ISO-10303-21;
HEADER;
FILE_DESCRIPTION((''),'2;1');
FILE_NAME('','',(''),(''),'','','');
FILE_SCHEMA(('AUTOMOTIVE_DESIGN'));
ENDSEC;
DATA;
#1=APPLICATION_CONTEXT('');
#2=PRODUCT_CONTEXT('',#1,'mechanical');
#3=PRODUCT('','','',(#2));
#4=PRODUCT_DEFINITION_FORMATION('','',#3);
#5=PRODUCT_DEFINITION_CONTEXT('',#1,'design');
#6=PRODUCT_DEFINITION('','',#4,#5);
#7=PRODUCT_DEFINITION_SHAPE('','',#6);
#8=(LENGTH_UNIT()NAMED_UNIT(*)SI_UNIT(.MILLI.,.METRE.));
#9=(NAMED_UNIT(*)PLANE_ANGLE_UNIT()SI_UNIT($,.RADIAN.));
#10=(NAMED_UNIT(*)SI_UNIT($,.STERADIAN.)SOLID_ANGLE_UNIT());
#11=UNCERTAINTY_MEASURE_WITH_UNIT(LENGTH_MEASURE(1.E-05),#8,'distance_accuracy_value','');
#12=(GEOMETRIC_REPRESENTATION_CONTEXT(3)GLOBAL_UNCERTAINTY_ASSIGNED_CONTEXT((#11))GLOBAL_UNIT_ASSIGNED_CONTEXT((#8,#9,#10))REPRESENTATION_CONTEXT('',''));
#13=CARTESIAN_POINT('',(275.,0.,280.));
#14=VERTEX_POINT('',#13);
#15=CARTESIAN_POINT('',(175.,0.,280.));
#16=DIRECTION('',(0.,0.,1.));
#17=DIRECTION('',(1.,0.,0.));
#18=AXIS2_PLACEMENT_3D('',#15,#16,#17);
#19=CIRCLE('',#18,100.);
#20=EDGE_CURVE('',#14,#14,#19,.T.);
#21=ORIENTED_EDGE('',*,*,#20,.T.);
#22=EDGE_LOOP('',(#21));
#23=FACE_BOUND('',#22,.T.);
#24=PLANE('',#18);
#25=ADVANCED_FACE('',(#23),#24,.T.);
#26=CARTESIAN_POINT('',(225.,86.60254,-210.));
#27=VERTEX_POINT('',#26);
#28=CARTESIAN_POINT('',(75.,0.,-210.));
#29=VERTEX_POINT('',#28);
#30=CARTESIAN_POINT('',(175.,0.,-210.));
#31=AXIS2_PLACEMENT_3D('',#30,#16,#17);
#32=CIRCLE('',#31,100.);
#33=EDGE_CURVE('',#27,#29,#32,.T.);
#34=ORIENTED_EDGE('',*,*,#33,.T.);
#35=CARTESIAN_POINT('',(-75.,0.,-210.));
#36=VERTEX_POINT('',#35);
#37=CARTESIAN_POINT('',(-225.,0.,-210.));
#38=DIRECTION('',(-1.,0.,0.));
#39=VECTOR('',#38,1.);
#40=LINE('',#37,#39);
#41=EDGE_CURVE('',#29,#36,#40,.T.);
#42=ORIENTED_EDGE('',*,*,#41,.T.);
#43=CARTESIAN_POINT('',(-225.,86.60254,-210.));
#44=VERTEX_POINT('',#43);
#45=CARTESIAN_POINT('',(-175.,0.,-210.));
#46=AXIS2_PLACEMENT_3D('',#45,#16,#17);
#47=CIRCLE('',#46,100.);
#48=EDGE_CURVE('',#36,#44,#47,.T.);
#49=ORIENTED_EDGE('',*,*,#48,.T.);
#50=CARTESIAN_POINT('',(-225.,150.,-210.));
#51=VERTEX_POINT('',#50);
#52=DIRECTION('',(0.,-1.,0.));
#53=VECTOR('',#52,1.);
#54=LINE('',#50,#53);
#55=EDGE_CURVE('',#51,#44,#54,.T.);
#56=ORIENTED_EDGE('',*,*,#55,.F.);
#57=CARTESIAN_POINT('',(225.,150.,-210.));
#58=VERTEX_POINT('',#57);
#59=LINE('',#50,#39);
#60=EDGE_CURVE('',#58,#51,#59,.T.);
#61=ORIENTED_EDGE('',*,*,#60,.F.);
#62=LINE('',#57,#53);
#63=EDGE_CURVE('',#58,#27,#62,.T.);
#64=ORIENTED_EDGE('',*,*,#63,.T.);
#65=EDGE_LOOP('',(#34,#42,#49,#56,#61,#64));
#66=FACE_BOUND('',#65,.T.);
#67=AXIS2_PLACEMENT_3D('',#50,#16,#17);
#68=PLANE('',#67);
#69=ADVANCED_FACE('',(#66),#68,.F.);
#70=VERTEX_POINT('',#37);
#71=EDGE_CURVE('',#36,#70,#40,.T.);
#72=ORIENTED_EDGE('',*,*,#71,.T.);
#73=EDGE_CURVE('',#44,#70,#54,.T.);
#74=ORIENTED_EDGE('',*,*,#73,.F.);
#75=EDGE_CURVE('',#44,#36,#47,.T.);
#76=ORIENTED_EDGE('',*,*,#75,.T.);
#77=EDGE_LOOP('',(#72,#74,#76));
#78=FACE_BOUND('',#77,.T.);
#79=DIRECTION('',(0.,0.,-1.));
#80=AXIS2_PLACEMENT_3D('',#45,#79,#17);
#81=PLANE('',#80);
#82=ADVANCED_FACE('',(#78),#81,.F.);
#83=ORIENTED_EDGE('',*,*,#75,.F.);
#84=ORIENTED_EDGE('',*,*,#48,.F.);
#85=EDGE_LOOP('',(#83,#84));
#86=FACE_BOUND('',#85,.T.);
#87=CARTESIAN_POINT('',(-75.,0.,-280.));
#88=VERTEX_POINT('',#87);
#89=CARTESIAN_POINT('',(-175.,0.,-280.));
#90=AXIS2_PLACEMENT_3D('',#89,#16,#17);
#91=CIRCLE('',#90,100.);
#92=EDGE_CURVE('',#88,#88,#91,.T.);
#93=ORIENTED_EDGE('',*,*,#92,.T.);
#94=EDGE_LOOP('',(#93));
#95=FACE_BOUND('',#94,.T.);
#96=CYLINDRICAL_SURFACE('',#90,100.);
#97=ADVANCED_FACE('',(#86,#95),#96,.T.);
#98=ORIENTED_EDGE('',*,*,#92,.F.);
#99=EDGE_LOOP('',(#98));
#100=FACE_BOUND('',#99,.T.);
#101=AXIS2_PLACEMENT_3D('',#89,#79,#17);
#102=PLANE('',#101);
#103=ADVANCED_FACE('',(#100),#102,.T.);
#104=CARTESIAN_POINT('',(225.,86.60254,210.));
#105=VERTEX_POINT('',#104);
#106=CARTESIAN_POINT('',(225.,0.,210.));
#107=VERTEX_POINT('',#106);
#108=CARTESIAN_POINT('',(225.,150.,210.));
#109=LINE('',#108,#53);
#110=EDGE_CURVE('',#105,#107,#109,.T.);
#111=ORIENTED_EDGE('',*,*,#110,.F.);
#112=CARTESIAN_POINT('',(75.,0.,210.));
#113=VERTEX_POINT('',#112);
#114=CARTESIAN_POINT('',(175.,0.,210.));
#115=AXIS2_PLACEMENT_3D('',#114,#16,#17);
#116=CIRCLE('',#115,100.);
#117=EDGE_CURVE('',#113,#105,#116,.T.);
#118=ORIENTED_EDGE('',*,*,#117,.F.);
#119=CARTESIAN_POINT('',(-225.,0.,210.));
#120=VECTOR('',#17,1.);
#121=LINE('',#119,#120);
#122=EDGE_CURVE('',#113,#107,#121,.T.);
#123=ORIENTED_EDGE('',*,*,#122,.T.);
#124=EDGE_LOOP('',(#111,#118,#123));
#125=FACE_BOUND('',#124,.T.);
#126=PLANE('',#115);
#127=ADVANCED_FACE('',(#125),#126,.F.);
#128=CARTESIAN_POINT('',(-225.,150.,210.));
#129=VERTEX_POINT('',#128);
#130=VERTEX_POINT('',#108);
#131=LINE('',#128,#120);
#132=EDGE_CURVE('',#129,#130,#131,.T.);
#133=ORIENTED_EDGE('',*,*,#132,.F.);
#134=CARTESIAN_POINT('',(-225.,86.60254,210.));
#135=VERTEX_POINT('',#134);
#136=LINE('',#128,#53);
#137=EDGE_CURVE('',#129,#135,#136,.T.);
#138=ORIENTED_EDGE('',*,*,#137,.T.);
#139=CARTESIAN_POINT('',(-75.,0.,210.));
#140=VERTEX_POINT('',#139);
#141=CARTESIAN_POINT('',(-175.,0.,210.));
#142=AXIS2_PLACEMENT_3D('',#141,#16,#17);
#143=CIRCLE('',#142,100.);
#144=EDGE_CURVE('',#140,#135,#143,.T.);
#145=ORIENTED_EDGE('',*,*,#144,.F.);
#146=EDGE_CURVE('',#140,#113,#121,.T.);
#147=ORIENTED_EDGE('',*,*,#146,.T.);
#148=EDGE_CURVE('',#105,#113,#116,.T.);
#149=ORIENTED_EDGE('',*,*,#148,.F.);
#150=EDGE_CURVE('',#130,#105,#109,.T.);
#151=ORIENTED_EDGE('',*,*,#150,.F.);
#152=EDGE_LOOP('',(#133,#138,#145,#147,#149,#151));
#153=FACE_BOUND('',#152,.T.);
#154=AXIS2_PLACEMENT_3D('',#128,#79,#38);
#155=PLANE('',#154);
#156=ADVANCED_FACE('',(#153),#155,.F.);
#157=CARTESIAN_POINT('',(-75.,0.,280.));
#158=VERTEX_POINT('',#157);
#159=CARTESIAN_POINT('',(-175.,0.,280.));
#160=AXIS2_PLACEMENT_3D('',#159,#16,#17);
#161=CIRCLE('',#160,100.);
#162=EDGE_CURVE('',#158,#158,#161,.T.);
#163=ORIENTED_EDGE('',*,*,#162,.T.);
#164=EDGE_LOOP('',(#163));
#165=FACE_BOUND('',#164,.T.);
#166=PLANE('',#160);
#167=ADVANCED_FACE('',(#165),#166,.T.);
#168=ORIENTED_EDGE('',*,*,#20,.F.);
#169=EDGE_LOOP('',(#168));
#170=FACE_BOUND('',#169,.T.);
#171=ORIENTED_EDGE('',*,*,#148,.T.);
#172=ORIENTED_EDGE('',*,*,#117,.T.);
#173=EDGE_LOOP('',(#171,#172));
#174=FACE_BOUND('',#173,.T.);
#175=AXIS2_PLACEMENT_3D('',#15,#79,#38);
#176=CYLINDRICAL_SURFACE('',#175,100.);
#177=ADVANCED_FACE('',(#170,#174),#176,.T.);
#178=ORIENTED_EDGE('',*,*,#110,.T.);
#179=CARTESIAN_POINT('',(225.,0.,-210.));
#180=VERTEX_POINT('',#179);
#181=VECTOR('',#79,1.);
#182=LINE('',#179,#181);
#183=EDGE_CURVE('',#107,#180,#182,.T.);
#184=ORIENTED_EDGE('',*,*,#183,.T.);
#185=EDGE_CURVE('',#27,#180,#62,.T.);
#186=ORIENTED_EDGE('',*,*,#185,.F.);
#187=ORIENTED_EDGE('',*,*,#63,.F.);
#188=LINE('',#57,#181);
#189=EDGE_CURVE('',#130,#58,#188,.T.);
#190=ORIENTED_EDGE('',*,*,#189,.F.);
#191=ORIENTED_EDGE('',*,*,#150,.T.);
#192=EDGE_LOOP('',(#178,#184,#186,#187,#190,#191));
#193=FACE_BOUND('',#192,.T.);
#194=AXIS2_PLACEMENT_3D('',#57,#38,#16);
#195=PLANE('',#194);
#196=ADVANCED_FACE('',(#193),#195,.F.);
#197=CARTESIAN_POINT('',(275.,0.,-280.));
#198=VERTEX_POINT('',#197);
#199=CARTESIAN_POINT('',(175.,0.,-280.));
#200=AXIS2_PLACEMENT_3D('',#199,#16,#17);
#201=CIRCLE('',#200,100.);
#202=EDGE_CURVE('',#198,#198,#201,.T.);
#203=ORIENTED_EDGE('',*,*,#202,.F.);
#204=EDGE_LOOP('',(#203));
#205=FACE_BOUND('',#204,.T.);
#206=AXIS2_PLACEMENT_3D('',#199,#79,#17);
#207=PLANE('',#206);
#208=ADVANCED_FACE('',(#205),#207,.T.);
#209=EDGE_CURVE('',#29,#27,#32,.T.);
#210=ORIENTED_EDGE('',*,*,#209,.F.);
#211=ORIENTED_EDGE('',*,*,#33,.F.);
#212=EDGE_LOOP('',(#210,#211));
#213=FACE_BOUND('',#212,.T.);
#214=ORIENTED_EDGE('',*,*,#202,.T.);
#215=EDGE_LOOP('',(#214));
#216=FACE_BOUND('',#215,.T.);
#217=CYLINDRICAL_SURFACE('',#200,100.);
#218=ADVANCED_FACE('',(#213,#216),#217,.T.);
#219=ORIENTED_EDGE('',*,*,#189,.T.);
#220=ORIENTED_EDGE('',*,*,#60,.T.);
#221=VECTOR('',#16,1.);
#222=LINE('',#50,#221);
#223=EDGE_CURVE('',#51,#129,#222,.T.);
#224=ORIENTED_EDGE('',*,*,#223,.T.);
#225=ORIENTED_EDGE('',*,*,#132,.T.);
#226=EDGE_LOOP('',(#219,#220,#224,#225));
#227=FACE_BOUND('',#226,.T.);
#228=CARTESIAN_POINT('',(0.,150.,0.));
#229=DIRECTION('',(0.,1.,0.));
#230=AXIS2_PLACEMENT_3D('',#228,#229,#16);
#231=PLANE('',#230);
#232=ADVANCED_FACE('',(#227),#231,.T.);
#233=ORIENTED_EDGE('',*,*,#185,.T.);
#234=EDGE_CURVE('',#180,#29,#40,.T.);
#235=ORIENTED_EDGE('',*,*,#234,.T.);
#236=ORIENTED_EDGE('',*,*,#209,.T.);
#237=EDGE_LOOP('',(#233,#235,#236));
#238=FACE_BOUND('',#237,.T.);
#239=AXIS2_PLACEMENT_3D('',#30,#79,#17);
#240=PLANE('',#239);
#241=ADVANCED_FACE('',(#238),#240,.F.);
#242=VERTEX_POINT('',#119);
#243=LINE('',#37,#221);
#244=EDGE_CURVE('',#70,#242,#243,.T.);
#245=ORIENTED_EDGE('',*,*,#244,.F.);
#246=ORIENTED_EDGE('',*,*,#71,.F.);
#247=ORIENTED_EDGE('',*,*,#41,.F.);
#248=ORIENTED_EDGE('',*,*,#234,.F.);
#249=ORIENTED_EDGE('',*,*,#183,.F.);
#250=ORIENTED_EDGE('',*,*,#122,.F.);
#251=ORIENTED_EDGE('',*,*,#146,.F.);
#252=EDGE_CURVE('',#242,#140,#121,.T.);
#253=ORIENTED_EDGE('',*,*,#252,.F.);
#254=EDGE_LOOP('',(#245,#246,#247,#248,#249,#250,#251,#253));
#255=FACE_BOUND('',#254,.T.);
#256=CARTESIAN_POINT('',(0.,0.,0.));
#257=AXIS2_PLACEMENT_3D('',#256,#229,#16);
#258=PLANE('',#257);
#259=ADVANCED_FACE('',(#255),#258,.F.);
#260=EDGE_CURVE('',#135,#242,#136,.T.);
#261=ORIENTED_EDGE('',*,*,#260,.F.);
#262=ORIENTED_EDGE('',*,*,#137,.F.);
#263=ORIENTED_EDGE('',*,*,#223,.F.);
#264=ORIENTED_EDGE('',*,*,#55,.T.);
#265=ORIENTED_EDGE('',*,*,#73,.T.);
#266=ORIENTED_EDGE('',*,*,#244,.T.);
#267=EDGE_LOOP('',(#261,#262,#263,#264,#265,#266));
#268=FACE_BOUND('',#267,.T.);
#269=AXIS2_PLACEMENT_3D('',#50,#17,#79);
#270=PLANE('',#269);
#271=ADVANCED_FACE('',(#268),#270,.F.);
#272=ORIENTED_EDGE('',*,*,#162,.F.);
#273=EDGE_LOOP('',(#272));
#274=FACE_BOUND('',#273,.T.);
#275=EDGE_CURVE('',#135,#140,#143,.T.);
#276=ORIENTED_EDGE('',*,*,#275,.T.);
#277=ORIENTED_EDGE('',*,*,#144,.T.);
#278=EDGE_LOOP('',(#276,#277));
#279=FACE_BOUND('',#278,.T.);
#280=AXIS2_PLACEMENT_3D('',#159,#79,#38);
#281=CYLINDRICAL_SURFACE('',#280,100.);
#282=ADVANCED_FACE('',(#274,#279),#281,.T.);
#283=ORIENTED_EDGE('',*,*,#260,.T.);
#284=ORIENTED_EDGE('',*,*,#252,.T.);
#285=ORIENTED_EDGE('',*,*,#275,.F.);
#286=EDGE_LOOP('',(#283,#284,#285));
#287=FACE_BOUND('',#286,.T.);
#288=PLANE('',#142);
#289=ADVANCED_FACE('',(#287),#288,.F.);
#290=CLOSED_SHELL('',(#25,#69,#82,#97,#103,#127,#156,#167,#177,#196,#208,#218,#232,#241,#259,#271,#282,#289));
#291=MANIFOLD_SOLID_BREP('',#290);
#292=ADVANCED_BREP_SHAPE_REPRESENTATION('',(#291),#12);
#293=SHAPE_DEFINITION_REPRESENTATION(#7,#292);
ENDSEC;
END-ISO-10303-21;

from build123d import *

# Parameters (mm, degrees)
SKETCH2_W           = 450
SKETCH2_H           = 420
BOSS_EXTRUDE1_DEPTH = 150
SKETCH3_R           = 100
BOSS_EXTRUDE2_DEPTH = 70


with BuildPart() as part:
    # Sketch2 → Boss-Extrude1 (new body)
    with BuildSketch(Plane(origin=(0, 0, 0), x_dir=(1, 0, 0), z_dir=(0, 1, 0))):
        Rectangle(SKETCH2_W, SKETCH2_H)
    extrude(amount=BOSS_EXTRUDE1_DEPTH)

    # Sketch3 → Boss-Extrude2 (add)
    with BuildSketch(Plane.XY.offset(210)):
        with Locations((-175, 0)):
            Circle(SKETCH3_R)
        with Locations(Location((175, 0, 0), (0, 0, 180))):
            Circle(SKETCH3_R)
    boss_extrude2 = extrude(amount=BOSS_EXTRUDE2_DEPTH)

    # Mirror1: Boss-Extrude2 across plane
    add(boss_extrude2.mirror(Plane.XY))


solid = part.part
